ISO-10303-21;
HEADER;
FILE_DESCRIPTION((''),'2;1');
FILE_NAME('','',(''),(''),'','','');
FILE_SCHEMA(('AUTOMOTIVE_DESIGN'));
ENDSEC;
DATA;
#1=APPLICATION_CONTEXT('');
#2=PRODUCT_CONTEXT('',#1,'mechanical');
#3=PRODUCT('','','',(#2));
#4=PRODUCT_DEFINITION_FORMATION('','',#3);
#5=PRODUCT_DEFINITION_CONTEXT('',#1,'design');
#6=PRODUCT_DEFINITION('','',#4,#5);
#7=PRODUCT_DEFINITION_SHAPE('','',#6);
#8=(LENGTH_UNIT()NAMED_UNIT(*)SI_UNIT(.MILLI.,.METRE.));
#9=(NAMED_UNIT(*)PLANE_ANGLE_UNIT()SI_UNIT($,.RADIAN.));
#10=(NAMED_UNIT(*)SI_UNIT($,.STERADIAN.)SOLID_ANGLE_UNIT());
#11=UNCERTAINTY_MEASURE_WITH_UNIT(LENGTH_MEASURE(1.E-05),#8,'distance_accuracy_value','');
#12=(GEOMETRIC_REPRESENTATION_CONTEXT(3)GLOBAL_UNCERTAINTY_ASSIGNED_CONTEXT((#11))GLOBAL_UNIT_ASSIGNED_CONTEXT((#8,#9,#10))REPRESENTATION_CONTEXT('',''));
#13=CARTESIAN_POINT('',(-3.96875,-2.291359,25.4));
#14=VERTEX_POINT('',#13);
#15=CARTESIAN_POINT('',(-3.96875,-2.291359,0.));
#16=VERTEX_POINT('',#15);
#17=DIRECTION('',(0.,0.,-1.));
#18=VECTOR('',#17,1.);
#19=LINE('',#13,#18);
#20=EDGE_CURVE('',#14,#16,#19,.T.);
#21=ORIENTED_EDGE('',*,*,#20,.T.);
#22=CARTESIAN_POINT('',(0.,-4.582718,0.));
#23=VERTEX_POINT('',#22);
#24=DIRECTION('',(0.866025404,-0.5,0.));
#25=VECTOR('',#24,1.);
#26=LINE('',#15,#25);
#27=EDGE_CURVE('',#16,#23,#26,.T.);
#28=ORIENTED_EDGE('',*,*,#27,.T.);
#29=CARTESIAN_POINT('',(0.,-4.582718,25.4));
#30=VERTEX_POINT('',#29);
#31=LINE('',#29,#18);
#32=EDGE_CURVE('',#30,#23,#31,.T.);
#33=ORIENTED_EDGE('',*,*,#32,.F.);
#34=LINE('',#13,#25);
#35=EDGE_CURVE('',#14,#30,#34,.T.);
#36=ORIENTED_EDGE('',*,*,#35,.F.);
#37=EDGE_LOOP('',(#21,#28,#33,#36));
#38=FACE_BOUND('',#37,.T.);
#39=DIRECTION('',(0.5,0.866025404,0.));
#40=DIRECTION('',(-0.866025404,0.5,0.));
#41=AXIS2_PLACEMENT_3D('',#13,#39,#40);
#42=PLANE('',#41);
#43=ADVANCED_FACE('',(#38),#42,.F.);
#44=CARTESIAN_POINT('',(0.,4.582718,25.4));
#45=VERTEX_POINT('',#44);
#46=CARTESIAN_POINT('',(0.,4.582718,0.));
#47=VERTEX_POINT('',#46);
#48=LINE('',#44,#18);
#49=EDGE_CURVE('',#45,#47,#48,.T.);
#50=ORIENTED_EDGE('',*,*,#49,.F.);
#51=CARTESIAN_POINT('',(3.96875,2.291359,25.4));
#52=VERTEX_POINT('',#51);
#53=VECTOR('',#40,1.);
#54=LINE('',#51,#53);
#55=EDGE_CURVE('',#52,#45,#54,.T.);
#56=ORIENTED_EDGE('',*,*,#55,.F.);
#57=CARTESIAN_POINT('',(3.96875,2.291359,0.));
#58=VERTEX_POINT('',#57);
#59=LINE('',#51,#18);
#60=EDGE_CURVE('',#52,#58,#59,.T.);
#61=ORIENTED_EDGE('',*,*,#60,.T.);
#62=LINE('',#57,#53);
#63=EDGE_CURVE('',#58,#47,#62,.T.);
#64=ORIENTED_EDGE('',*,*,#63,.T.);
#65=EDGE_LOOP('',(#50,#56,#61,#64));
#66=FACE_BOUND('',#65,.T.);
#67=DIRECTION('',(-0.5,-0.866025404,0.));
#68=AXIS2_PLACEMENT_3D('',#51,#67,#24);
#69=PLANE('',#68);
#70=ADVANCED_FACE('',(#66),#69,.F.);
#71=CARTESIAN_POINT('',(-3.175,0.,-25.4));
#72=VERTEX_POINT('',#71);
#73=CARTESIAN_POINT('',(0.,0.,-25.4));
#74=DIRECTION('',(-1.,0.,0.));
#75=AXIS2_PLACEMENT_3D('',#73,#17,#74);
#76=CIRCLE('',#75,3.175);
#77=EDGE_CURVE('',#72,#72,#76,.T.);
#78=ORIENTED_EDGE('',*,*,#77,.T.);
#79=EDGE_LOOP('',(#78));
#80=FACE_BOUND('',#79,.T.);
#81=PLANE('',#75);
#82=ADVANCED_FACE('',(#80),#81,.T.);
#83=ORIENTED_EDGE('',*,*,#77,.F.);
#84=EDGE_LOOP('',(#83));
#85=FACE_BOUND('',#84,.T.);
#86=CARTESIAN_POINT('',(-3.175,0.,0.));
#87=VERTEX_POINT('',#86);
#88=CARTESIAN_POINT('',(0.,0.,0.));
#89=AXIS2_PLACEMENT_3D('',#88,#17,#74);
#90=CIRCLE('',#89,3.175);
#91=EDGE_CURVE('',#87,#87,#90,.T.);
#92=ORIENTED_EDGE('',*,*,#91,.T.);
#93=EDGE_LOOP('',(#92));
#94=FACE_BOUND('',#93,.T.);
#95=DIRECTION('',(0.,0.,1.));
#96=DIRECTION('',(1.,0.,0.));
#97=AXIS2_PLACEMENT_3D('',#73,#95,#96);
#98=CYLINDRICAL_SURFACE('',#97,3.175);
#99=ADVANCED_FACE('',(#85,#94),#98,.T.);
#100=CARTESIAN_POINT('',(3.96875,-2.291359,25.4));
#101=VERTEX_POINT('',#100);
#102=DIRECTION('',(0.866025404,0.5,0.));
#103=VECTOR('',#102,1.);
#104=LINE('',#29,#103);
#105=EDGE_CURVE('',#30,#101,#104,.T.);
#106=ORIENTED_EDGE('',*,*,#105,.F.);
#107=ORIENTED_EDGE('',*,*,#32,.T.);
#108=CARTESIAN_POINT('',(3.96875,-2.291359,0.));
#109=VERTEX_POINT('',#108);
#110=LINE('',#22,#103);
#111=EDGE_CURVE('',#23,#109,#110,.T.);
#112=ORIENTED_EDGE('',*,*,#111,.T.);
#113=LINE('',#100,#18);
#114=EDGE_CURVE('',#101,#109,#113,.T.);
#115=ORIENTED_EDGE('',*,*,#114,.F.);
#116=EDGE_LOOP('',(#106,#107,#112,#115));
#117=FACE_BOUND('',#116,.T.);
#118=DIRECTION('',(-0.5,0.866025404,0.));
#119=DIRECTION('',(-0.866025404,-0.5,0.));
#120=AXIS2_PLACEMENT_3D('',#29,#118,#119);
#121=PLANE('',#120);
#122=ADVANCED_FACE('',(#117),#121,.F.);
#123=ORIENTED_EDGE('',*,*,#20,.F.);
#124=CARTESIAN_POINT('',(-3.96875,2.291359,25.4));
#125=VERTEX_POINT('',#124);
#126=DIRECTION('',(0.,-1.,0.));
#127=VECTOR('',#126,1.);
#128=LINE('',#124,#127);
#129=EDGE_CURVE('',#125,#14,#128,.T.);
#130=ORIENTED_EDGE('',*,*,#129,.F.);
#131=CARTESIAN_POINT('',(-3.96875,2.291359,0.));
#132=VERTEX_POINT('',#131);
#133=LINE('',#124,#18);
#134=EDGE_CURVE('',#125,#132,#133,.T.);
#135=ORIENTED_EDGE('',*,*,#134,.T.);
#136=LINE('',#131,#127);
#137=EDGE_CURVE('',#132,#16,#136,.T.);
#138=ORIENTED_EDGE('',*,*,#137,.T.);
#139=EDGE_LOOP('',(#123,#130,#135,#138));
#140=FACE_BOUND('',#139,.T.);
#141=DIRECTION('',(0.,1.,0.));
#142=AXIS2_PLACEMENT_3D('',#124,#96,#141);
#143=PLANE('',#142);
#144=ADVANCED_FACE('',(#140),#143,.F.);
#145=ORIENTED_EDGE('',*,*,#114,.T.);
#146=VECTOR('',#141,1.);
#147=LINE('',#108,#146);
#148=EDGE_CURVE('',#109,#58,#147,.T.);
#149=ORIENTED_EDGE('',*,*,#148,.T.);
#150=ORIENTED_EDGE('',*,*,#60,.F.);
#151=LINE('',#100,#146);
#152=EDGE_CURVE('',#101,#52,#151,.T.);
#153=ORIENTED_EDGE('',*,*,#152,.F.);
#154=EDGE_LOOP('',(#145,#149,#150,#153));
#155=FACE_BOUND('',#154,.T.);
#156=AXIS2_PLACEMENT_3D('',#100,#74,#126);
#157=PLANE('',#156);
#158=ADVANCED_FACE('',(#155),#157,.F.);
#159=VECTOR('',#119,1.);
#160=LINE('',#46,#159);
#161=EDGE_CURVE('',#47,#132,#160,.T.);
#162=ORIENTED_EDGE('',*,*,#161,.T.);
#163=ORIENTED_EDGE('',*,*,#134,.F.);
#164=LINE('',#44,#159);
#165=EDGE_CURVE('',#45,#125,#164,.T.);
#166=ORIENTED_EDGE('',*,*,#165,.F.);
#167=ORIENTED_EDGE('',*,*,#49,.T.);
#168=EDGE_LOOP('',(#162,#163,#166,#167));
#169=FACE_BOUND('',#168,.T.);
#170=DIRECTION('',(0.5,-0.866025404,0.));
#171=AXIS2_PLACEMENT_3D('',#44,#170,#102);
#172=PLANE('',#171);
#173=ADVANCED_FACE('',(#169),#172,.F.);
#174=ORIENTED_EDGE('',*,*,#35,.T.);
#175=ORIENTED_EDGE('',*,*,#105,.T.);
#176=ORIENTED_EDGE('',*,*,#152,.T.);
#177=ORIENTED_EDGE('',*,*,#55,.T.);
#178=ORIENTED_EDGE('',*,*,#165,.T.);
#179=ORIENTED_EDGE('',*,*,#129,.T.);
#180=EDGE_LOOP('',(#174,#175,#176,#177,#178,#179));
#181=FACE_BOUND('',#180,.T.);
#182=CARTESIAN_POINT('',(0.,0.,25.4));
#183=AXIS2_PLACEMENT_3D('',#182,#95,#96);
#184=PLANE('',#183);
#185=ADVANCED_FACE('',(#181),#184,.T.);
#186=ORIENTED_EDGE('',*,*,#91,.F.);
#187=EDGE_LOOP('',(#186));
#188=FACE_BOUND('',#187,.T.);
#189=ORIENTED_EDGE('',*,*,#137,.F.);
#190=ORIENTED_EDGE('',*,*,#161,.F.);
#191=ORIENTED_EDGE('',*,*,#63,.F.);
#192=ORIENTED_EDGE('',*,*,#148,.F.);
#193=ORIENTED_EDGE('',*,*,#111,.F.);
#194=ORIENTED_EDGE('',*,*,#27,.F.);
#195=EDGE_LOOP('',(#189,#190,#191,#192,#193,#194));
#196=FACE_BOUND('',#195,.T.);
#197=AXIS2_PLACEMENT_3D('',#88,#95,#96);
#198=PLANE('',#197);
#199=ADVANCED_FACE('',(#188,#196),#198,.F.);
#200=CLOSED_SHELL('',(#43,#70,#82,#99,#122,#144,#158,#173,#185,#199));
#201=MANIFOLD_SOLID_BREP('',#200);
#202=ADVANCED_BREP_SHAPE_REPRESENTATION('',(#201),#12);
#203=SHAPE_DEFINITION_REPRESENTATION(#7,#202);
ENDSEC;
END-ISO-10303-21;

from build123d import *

# Parameters (mm, degrees)
HEX_2_DEPTH         = 25.4
SKETCH3_R           = 3.175
BOSS_EXTRUDE2_DEPTH = 25.4


with BuildPart() as part:
    # Sketch2 → Hex 2 (new body)
    with BuildSketch(Plane(origin=(0, 0, 0), x_dir=(0, 1, 0), z_dir=(0, 0, 1))):
        Polygon((4.582717762, 0), (2.291358881, 3.96875), (-2.291358881, 3.96875), (-4.582717762, 0), (-2.291358881, -3.96875), (2.291358881, -3.96875), align=None)
    extrude(amount=HEX_2_DEPTH)

    # Sketch3 → Boss-Extrude2 (add)
    with BuildSketch(Plane(origin=(0, 0, 0), x_dir=(1, 0, 0), z_dir=(0, 0, -1))):
        with Locations(Location((0, 0, 0), (0, 0, 180))):
            Circle(SKETCH3_R)
    extrude(amount=BOSS_EXTRUDE2_DEPTH)


solid = part.part
